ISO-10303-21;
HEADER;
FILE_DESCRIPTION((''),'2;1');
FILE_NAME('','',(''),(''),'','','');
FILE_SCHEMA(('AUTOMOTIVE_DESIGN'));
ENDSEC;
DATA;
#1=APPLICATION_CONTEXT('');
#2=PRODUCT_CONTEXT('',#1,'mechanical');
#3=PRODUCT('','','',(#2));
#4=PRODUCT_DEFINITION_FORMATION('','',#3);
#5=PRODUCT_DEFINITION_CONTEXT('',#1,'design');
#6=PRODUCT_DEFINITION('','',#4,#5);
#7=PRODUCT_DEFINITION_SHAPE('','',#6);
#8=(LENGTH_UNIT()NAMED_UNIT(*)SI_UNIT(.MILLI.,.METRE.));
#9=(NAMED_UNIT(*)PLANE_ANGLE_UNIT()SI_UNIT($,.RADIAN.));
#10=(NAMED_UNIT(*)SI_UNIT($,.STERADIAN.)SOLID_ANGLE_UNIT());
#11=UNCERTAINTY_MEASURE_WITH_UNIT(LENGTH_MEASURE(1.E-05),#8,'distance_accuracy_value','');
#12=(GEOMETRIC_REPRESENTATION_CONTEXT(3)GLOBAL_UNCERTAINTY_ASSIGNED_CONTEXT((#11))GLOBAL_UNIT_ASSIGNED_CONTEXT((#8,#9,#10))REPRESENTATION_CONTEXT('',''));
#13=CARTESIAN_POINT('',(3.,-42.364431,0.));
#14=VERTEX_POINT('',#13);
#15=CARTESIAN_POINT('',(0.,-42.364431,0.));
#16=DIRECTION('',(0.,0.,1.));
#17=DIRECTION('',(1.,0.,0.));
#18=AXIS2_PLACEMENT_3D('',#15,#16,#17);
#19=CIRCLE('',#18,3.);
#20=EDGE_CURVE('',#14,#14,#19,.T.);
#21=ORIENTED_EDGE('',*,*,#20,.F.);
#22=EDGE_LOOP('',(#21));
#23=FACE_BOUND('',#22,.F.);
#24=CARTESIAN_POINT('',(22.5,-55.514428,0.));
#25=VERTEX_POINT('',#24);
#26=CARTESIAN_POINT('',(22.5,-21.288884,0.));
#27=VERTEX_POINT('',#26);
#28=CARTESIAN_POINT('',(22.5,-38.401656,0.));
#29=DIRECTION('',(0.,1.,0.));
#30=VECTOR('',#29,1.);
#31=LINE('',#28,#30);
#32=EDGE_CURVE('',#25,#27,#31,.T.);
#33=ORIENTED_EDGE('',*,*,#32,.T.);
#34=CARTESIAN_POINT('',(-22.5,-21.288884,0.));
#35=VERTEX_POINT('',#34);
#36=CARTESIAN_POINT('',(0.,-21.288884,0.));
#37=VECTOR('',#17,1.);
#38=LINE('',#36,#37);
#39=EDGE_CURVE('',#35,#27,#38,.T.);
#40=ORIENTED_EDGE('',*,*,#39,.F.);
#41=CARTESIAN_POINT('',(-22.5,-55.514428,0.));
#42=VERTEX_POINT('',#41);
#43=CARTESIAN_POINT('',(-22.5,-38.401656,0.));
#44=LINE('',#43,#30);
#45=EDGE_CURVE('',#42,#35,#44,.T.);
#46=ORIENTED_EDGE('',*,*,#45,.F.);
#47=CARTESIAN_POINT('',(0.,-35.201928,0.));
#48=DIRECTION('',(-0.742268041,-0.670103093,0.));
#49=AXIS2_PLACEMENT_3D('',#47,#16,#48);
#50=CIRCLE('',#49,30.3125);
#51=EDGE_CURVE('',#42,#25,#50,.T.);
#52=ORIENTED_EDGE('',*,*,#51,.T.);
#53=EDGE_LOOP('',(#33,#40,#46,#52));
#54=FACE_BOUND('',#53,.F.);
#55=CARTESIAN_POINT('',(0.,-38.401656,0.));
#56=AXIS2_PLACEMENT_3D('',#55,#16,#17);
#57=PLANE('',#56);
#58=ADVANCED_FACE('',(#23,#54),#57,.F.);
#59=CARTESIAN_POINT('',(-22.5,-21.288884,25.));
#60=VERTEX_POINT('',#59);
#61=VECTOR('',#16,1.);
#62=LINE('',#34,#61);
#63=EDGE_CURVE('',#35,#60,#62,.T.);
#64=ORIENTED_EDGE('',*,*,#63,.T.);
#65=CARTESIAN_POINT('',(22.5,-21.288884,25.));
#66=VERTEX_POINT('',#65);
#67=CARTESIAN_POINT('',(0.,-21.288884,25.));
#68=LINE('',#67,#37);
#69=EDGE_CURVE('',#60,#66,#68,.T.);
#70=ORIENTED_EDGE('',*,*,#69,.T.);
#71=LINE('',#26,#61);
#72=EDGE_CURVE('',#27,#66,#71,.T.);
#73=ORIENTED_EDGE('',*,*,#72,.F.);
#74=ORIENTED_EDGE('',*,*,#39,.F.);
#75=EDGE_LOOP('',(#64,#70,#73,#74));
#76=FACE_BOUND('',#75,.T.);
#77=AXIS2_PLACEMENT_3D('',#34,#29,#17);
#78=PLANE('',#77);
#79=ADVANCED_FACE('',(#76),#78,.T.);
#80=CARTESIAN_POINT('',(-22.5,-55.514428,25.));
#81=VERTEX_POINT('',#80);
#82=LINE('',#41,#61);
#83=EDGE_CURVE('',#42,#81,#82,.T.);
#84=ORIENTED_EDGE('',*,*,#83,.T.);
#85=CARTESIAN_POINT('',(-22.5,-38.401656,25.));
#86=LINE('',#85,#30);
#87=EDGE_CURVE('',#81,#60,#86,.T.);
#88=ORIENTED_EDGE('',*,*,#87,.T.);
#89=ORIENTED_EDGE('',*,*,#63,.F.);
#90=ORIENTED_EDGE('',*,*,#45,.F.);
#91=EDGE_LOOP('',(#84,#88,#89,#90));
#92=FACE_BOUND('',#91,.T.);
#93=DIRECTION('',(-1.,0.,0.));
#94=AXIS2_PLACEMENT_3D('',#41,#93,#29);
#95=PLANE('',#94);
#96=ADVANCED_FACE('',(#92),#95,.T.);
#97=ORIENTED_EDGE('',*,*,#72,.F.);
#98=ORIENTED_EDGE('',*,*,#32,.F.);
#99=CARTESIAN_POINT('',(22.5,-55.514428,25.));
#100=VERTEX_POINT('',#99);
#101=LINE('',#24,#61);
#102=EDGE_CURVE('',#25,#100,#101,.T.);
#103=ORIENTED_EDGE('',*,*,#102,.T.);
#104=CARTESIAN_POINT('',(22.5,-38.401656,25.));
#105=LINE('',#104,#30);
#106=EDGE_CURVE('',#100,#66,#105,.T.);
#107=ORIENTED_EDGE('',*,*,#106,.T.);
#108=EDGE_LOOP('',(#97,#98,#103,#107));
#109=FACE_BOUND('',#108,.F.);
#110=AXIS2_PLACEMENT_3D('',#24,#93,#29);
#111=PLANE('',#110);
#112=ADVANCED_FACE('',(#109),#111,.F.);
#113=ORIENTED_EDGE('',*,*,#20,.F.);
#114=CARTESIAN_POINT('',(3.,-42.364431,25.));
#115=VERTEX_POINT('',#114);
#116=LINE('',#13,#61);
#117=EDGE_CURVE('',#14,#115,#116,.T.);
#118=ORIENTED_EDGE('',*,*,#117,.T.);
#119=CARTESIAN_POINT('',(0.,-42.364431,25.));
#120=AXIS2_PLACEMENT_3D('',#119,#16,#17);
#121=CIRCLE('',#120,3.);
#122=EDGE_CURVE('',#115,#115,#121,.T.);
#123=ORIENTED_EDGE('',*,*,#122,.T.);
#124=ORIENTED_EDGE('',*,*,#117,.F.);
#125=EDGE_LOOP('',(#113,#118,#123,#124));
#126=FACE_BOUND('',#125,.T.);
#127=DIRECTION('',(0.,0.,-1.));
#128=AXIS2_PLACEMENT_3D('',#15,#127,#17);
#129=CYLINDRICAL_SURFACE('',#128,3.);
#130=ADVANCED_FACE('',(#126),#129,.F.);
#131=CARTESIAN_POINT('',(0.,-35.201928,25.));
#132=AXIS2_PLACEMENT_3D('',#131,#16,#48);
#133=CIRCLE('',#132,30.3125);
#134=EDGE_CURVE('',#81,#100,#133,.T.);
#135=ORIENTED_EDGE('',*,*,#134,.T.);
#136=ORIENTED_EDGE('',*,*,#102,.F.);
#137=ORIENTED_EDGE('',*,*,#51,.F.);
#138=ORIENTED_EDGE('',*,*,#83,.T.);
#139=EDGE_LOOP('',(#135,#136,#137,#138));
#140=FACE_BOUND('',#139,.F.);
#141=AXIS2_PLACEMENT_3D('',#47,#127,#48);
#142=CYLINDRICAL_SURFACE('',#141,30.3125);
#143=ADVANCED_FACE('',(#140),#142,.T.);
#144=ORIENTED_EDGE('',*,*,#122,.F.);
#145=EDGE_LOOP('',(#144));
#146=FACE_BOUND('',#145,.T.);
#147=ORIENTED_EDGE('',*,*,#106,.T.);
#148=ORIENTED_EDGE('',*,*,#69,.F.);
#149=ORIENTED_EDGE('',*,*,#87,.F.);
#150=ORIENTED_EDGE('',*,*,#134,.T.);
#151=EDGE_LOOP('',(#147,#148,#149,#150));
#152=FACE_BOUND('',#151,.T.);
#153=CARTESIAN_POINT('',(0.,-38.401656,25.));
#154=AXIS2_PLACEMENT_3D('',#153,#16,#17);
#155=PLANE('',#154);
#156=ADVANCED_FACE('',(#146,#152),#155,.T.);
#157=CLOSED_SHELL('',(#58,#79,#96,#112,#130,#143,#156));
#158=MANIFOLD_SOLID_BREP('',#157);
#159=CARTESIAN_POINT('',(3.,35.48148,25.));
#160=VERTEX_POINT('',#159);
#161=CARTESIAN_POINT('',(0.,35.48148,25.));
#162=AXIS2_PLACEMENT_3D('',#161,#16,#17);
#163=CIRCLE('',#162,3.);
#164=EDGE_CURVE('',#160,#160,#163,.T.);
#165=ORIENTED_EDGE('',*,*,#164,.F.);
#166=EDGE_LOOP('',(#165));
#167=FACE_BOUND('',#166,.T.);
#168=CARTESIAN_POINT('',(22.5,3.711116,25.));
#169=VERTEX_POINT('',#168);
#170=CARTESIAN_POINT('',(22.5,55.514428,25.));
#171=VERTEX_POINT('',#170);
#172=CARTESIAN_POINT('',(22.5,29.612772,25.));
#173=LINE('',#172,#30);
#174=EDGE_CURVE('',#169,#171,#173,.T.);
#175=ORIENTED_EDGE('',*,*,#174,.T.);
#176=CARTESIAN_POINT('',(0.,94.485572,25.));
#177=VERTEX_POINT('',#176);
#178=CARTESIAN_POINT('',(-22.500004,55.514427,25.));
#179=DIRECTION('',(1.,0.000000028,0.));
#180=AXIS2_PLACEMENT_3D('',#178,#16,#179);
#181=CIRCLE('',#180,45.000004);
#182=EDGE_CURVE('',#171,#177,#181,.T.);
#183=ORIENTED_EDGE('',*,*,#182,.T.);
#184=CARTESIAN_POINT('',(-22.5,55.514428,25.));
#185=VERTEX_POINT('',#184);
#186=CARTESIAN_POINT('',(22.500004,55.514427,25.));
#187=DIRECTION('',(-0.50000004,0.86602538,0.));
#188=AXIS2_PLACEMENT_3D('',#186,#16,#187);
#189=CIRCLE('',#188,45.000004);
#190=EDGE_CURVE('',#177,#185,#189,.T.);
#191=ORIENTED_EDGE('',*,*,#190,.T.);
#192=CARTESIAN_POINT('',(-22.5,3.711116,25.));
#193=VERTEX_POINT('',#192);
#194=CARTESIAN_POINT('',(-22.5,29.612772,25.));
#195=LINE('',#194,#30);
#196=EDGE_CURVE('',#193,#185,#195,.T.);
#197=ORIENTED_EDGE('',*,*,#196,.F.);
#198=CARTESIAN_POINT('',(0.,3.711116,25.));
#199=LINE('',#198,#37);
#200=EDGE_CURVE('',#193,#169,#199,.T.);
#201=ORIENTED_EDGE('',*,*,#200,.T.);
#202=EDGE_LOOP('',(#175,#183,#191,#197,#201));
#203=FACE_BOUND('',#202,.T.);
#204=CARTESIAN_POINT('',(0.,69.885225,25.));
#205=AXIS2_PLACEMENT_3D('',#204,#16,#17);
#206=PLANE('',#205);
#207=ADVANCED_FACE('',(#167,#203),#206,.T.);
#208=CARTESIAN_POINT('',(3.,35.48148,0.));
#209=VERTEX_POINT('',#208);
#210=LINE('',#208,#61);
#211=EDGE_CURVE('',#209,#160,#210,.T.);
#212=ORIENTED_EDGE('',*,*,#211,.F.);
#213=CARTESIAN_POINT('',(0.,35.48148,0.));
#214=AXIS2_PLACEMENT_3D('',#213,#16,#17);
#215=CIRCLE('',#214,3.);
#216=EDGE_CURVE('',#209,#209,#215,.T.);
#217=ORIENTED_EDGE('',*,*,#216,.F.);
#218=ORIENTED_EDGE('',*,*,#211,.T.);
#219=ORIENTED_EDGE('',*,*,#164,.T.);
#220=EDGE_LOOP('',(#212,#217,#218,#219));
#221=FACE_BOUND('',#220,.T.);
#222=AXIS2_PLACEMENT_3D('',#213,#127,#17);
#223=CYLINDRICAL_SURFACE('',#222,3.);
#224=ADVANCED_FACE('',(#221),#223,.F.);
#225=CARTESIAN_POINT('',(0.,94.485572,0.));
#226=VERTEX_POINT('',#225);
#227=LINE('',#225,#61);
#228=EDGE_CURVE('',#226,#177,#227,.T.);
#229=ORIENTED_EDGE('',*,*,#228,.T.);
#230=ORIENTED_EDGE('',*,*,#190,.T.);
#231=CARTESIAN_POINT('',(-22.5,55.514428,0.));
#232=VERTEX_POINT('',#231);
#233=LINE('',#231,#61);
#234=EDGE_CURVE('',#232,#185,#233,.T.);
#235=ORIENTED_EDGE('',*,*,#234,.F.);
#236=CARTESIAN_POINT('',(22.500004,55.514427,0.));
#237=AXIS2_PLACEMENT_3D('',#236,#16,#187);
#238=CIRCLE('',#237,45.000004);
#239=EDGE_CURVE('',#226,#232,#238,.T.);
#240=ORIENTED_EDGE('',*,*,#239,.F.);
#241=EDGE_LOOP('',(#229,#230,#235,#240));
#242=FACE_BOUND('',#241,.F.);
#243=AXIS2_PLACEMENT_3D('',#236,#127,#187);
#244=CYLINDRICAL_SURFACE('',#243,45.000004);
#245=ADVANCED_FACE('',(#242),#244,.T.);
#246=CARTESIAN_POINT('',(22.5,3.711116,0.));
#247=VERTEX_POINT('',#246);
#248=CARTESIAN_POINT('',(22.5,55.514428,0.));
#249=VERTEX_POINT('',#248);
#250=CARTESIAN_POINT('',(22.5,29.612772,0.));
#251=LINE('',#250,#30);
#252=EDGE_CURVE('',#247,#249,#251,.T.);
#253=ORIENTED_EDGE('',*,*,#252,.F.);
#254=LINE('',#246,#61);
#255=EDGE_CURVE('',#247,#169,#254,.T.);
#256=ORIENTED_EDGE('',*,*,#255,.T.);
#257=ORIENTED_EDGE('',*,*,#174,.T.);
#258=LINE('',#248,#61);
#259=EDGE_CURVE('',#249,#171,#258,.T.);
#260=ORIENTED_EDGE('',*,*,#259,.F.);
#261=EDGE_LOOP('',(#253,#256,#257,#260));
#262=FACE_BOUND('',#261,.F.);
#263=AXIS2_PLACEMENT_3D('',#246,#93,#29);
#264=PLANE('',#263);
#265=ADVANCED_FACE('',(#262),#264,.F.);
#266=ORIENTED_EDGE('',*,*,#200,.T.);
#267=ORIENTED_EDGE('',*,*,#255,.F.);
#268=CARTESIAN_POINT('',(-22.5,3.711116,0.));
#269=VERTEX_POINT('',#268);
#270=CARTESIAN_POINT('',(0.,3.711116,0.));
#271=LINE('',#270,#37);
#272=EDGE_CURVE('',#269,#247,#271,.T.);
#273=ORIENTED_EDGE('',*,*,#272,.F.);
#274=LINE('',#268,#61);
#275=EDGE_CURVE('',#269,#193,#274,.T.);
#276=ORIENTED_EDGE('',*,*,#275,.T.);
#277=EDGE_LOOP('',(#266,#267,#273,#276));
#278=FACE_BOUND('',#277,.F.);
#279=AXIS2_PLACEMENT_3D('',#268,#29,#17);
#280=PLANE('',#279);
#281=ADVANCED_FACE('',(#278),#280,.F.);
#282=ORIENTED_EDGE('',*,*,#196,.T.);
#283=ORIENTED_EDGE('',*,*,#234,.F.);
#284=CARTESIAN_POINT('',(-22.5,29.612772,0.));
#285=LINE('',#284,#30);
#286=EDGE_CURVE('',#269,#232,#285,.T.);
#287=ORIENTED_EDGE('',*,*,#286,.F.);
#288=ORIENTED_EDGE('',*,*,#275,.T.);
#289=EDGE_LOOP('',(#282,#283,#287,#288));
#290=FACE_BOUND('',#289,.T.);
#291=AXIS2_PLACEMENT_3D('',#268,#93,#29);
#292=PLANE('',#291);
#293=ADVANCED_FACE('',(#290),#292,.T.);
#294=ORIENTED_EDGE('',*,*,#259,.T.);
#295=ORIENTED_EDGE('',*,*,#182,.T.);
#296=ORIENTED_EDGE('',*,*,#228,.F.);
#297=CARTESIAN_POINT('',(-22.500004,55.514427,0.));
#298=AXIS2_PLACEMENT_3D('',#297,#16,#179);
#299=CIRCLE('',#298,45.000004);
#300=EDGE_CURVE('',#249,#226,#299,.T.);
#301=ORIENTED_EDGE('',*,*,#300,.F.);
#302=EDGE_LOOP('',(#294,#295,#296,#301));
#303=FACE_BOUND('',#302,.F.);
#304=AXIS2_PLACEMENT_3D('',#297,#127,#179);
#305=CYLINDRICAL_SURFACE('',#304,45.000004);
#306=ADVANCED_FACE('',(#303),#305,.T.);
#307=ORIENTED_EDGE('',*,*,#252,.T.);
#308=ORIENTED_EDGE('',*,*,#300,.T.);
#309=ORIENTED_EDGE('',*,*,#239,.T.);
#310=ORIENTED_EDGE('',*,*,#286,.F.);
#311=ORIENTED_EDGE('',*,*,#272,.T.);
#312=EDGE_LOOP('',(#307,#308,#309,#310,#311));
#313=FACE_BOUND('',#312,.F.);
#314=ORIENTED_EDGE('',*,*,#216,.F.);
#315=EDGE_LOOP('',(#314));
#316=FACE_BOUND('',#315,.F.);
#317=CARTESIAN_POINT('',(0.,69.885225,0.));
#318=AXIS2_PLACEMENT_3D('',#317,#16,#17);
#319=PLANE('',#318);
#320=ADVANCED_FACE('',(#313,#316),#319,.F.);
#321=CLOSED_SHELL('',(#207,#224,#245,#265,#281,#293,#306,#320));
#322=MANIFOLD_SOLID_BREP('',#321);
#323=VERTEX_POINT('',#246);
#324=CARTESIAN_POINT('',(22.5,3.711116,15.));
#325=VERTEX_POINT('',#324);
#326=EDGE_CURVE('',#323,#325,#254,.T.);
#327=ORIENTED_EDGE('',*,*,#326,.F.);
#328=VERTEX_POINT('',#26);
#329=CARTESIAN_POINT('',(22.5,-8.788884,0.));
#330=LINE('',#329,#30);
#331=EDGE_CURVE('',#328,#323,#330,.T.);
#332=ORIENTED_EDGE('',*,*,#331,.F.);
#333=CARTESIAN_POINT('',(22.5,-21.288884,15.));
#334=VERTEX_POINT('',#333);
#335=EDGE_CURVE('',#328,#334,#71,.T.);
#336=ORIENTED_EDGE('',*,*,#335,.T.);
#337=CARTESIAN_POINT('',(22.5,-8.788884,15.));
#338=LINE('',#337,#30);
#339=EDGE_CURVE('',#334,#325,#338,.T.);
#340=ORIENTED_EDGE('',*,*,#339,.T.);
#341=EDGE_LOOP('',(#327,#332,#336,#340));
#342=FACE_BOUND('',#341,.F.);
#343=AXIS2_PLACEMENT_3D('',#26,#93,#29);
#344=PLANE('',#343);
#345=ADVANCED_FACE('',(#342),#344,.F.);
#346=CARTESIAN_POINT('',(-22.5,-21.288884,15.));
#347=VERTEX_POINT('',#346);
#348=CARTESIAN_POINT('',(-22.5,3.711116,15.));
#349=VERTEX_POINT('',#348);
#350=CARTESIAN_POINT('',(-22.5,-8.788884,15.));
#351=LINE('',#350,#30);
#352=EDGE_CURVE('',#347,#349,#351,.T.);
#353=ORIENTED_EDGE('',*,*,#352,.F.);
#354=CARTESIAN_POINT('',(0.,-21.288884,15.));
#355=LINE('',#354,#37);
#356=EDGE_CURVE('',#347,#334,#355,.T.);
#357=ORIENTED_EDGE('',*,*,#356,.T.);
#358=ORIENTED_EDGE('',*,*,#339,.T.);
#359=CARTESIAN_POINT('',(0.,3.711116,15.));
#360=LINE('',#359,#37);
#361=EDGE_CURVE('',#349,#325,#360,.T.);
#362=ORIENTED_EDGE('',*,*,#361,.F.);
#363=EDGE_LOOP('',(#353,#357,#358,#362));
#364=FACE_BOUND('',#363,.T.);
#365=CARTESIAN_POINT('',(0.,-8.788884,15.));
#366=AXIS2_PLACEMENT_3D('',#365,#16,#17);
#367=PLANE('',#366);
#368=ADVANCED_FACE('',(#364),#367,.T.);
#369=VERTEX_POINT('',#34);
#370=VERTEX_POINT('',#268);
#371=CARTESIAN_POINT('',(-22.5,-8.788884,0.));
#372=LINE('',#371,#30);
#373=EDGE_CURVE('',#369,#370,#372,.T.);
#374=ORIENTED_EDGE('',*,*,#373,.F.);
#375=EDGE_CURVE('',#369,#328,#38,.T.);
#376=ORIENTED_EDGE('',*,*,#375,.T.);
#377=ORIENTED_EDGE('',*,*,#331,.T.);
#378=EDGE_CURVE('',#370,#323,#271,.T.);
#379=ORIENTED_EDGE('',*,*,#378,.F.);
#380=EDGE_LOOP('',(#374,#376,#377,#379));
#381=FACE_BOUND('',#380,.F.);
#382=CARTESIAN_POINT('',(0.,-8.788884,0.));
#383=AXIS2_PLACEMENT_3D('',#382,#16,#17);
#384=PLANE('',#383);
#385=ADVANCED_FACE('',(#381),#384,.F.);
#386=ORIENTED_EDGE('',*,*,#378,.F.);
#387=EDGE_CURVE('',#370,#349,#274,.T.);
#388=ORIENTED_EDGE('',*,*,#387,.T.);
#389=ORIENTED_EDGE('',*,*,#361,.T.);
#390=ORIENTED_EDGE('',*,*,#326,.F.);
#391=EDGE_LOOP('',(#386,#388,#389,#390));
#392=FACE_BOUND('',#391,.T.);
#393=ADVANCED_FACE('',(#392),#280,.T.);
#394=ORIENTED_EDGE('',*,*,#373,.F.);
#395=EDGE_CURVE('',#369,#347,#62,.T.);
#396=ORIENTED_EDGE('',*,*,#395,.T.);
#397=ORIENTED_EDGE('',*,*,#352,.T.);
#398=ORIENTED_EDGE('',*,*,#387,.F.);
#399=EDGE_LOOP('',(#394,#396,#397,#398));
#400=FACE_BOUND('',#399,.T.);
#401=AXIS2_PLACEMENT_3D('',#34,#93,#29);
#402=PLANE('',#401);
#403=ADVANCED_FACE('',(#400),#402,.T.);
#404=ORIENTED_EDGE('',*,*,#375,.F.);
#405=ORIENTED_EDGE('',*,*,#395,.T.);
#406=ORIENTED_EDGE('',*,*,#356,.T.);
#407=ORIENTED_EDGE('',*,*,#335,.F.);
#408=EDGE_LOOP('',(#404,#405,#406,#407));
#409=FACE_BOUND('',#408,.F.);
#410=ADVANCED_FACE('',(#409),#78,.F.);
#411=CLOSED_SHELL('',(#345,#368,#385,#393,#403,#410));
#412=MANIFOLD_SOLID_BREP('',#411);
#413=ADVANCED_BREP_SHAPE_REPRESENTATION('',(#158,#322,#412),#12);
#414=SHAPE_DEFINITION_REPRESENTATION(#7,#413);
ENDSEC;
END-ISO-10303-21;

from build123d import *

# Parameters (mm, degrees)
F0_W     = 45
F0_H     = 51.803312
F0_R     = 3
F0_H_2   = 34.225544
F1_DEPTH = 25
F0_H_3   = 25
F2_DEPTH = 15


with BuildPart() as f1:
    # F0 (on Top) → F1 (new body)
    with BuildSketch(Plane.XY):
        with BuildLine():
            ThreePointArc((0, 94.485572), (-16.471143, 78.014428), (-22.5, 55.514428))
            Line((-22.5, 55.514428), (22.5, 55.514428))
            ThreePointArc((22.5, 55.514428), (16.471143, 78.014428), (0, 94.485572))
        make_face()
        with Locations((0, 29.612772)):
            Rectangle(F0_W, F0_H)
        with Locations((0, 35.48148)):
            Circle(F0_R, mode=Mode.SUBTRACT)
        with Locations((0, -38.401656)):
            Rectangle(F0_W, F0_H_2)
        with Locations((0, -42.364431)):
            Circle(F0_R, mode=Mode.SUBTRACT)
        with BuildLine():
            Line((22.5, -55.514428), (-22.5, -55.514428))
            ThreePointArc((-22.5, -55.514428), (0, -65.514428), (22.5, -55.514428))
        make_face()
    extrude(amount=F1_DEPTH)


with BuildPart() as f2:
    # F0 (on Top) → F2 (new body)
    with BuildSketch(Plane.XY):
        with Locations((0, -8.788884)):
            Rectangle(F0_W, F0_H_3)
    extrude(amount=F2_DEPTH)


solid = Compound([f1.part, f2.part])
